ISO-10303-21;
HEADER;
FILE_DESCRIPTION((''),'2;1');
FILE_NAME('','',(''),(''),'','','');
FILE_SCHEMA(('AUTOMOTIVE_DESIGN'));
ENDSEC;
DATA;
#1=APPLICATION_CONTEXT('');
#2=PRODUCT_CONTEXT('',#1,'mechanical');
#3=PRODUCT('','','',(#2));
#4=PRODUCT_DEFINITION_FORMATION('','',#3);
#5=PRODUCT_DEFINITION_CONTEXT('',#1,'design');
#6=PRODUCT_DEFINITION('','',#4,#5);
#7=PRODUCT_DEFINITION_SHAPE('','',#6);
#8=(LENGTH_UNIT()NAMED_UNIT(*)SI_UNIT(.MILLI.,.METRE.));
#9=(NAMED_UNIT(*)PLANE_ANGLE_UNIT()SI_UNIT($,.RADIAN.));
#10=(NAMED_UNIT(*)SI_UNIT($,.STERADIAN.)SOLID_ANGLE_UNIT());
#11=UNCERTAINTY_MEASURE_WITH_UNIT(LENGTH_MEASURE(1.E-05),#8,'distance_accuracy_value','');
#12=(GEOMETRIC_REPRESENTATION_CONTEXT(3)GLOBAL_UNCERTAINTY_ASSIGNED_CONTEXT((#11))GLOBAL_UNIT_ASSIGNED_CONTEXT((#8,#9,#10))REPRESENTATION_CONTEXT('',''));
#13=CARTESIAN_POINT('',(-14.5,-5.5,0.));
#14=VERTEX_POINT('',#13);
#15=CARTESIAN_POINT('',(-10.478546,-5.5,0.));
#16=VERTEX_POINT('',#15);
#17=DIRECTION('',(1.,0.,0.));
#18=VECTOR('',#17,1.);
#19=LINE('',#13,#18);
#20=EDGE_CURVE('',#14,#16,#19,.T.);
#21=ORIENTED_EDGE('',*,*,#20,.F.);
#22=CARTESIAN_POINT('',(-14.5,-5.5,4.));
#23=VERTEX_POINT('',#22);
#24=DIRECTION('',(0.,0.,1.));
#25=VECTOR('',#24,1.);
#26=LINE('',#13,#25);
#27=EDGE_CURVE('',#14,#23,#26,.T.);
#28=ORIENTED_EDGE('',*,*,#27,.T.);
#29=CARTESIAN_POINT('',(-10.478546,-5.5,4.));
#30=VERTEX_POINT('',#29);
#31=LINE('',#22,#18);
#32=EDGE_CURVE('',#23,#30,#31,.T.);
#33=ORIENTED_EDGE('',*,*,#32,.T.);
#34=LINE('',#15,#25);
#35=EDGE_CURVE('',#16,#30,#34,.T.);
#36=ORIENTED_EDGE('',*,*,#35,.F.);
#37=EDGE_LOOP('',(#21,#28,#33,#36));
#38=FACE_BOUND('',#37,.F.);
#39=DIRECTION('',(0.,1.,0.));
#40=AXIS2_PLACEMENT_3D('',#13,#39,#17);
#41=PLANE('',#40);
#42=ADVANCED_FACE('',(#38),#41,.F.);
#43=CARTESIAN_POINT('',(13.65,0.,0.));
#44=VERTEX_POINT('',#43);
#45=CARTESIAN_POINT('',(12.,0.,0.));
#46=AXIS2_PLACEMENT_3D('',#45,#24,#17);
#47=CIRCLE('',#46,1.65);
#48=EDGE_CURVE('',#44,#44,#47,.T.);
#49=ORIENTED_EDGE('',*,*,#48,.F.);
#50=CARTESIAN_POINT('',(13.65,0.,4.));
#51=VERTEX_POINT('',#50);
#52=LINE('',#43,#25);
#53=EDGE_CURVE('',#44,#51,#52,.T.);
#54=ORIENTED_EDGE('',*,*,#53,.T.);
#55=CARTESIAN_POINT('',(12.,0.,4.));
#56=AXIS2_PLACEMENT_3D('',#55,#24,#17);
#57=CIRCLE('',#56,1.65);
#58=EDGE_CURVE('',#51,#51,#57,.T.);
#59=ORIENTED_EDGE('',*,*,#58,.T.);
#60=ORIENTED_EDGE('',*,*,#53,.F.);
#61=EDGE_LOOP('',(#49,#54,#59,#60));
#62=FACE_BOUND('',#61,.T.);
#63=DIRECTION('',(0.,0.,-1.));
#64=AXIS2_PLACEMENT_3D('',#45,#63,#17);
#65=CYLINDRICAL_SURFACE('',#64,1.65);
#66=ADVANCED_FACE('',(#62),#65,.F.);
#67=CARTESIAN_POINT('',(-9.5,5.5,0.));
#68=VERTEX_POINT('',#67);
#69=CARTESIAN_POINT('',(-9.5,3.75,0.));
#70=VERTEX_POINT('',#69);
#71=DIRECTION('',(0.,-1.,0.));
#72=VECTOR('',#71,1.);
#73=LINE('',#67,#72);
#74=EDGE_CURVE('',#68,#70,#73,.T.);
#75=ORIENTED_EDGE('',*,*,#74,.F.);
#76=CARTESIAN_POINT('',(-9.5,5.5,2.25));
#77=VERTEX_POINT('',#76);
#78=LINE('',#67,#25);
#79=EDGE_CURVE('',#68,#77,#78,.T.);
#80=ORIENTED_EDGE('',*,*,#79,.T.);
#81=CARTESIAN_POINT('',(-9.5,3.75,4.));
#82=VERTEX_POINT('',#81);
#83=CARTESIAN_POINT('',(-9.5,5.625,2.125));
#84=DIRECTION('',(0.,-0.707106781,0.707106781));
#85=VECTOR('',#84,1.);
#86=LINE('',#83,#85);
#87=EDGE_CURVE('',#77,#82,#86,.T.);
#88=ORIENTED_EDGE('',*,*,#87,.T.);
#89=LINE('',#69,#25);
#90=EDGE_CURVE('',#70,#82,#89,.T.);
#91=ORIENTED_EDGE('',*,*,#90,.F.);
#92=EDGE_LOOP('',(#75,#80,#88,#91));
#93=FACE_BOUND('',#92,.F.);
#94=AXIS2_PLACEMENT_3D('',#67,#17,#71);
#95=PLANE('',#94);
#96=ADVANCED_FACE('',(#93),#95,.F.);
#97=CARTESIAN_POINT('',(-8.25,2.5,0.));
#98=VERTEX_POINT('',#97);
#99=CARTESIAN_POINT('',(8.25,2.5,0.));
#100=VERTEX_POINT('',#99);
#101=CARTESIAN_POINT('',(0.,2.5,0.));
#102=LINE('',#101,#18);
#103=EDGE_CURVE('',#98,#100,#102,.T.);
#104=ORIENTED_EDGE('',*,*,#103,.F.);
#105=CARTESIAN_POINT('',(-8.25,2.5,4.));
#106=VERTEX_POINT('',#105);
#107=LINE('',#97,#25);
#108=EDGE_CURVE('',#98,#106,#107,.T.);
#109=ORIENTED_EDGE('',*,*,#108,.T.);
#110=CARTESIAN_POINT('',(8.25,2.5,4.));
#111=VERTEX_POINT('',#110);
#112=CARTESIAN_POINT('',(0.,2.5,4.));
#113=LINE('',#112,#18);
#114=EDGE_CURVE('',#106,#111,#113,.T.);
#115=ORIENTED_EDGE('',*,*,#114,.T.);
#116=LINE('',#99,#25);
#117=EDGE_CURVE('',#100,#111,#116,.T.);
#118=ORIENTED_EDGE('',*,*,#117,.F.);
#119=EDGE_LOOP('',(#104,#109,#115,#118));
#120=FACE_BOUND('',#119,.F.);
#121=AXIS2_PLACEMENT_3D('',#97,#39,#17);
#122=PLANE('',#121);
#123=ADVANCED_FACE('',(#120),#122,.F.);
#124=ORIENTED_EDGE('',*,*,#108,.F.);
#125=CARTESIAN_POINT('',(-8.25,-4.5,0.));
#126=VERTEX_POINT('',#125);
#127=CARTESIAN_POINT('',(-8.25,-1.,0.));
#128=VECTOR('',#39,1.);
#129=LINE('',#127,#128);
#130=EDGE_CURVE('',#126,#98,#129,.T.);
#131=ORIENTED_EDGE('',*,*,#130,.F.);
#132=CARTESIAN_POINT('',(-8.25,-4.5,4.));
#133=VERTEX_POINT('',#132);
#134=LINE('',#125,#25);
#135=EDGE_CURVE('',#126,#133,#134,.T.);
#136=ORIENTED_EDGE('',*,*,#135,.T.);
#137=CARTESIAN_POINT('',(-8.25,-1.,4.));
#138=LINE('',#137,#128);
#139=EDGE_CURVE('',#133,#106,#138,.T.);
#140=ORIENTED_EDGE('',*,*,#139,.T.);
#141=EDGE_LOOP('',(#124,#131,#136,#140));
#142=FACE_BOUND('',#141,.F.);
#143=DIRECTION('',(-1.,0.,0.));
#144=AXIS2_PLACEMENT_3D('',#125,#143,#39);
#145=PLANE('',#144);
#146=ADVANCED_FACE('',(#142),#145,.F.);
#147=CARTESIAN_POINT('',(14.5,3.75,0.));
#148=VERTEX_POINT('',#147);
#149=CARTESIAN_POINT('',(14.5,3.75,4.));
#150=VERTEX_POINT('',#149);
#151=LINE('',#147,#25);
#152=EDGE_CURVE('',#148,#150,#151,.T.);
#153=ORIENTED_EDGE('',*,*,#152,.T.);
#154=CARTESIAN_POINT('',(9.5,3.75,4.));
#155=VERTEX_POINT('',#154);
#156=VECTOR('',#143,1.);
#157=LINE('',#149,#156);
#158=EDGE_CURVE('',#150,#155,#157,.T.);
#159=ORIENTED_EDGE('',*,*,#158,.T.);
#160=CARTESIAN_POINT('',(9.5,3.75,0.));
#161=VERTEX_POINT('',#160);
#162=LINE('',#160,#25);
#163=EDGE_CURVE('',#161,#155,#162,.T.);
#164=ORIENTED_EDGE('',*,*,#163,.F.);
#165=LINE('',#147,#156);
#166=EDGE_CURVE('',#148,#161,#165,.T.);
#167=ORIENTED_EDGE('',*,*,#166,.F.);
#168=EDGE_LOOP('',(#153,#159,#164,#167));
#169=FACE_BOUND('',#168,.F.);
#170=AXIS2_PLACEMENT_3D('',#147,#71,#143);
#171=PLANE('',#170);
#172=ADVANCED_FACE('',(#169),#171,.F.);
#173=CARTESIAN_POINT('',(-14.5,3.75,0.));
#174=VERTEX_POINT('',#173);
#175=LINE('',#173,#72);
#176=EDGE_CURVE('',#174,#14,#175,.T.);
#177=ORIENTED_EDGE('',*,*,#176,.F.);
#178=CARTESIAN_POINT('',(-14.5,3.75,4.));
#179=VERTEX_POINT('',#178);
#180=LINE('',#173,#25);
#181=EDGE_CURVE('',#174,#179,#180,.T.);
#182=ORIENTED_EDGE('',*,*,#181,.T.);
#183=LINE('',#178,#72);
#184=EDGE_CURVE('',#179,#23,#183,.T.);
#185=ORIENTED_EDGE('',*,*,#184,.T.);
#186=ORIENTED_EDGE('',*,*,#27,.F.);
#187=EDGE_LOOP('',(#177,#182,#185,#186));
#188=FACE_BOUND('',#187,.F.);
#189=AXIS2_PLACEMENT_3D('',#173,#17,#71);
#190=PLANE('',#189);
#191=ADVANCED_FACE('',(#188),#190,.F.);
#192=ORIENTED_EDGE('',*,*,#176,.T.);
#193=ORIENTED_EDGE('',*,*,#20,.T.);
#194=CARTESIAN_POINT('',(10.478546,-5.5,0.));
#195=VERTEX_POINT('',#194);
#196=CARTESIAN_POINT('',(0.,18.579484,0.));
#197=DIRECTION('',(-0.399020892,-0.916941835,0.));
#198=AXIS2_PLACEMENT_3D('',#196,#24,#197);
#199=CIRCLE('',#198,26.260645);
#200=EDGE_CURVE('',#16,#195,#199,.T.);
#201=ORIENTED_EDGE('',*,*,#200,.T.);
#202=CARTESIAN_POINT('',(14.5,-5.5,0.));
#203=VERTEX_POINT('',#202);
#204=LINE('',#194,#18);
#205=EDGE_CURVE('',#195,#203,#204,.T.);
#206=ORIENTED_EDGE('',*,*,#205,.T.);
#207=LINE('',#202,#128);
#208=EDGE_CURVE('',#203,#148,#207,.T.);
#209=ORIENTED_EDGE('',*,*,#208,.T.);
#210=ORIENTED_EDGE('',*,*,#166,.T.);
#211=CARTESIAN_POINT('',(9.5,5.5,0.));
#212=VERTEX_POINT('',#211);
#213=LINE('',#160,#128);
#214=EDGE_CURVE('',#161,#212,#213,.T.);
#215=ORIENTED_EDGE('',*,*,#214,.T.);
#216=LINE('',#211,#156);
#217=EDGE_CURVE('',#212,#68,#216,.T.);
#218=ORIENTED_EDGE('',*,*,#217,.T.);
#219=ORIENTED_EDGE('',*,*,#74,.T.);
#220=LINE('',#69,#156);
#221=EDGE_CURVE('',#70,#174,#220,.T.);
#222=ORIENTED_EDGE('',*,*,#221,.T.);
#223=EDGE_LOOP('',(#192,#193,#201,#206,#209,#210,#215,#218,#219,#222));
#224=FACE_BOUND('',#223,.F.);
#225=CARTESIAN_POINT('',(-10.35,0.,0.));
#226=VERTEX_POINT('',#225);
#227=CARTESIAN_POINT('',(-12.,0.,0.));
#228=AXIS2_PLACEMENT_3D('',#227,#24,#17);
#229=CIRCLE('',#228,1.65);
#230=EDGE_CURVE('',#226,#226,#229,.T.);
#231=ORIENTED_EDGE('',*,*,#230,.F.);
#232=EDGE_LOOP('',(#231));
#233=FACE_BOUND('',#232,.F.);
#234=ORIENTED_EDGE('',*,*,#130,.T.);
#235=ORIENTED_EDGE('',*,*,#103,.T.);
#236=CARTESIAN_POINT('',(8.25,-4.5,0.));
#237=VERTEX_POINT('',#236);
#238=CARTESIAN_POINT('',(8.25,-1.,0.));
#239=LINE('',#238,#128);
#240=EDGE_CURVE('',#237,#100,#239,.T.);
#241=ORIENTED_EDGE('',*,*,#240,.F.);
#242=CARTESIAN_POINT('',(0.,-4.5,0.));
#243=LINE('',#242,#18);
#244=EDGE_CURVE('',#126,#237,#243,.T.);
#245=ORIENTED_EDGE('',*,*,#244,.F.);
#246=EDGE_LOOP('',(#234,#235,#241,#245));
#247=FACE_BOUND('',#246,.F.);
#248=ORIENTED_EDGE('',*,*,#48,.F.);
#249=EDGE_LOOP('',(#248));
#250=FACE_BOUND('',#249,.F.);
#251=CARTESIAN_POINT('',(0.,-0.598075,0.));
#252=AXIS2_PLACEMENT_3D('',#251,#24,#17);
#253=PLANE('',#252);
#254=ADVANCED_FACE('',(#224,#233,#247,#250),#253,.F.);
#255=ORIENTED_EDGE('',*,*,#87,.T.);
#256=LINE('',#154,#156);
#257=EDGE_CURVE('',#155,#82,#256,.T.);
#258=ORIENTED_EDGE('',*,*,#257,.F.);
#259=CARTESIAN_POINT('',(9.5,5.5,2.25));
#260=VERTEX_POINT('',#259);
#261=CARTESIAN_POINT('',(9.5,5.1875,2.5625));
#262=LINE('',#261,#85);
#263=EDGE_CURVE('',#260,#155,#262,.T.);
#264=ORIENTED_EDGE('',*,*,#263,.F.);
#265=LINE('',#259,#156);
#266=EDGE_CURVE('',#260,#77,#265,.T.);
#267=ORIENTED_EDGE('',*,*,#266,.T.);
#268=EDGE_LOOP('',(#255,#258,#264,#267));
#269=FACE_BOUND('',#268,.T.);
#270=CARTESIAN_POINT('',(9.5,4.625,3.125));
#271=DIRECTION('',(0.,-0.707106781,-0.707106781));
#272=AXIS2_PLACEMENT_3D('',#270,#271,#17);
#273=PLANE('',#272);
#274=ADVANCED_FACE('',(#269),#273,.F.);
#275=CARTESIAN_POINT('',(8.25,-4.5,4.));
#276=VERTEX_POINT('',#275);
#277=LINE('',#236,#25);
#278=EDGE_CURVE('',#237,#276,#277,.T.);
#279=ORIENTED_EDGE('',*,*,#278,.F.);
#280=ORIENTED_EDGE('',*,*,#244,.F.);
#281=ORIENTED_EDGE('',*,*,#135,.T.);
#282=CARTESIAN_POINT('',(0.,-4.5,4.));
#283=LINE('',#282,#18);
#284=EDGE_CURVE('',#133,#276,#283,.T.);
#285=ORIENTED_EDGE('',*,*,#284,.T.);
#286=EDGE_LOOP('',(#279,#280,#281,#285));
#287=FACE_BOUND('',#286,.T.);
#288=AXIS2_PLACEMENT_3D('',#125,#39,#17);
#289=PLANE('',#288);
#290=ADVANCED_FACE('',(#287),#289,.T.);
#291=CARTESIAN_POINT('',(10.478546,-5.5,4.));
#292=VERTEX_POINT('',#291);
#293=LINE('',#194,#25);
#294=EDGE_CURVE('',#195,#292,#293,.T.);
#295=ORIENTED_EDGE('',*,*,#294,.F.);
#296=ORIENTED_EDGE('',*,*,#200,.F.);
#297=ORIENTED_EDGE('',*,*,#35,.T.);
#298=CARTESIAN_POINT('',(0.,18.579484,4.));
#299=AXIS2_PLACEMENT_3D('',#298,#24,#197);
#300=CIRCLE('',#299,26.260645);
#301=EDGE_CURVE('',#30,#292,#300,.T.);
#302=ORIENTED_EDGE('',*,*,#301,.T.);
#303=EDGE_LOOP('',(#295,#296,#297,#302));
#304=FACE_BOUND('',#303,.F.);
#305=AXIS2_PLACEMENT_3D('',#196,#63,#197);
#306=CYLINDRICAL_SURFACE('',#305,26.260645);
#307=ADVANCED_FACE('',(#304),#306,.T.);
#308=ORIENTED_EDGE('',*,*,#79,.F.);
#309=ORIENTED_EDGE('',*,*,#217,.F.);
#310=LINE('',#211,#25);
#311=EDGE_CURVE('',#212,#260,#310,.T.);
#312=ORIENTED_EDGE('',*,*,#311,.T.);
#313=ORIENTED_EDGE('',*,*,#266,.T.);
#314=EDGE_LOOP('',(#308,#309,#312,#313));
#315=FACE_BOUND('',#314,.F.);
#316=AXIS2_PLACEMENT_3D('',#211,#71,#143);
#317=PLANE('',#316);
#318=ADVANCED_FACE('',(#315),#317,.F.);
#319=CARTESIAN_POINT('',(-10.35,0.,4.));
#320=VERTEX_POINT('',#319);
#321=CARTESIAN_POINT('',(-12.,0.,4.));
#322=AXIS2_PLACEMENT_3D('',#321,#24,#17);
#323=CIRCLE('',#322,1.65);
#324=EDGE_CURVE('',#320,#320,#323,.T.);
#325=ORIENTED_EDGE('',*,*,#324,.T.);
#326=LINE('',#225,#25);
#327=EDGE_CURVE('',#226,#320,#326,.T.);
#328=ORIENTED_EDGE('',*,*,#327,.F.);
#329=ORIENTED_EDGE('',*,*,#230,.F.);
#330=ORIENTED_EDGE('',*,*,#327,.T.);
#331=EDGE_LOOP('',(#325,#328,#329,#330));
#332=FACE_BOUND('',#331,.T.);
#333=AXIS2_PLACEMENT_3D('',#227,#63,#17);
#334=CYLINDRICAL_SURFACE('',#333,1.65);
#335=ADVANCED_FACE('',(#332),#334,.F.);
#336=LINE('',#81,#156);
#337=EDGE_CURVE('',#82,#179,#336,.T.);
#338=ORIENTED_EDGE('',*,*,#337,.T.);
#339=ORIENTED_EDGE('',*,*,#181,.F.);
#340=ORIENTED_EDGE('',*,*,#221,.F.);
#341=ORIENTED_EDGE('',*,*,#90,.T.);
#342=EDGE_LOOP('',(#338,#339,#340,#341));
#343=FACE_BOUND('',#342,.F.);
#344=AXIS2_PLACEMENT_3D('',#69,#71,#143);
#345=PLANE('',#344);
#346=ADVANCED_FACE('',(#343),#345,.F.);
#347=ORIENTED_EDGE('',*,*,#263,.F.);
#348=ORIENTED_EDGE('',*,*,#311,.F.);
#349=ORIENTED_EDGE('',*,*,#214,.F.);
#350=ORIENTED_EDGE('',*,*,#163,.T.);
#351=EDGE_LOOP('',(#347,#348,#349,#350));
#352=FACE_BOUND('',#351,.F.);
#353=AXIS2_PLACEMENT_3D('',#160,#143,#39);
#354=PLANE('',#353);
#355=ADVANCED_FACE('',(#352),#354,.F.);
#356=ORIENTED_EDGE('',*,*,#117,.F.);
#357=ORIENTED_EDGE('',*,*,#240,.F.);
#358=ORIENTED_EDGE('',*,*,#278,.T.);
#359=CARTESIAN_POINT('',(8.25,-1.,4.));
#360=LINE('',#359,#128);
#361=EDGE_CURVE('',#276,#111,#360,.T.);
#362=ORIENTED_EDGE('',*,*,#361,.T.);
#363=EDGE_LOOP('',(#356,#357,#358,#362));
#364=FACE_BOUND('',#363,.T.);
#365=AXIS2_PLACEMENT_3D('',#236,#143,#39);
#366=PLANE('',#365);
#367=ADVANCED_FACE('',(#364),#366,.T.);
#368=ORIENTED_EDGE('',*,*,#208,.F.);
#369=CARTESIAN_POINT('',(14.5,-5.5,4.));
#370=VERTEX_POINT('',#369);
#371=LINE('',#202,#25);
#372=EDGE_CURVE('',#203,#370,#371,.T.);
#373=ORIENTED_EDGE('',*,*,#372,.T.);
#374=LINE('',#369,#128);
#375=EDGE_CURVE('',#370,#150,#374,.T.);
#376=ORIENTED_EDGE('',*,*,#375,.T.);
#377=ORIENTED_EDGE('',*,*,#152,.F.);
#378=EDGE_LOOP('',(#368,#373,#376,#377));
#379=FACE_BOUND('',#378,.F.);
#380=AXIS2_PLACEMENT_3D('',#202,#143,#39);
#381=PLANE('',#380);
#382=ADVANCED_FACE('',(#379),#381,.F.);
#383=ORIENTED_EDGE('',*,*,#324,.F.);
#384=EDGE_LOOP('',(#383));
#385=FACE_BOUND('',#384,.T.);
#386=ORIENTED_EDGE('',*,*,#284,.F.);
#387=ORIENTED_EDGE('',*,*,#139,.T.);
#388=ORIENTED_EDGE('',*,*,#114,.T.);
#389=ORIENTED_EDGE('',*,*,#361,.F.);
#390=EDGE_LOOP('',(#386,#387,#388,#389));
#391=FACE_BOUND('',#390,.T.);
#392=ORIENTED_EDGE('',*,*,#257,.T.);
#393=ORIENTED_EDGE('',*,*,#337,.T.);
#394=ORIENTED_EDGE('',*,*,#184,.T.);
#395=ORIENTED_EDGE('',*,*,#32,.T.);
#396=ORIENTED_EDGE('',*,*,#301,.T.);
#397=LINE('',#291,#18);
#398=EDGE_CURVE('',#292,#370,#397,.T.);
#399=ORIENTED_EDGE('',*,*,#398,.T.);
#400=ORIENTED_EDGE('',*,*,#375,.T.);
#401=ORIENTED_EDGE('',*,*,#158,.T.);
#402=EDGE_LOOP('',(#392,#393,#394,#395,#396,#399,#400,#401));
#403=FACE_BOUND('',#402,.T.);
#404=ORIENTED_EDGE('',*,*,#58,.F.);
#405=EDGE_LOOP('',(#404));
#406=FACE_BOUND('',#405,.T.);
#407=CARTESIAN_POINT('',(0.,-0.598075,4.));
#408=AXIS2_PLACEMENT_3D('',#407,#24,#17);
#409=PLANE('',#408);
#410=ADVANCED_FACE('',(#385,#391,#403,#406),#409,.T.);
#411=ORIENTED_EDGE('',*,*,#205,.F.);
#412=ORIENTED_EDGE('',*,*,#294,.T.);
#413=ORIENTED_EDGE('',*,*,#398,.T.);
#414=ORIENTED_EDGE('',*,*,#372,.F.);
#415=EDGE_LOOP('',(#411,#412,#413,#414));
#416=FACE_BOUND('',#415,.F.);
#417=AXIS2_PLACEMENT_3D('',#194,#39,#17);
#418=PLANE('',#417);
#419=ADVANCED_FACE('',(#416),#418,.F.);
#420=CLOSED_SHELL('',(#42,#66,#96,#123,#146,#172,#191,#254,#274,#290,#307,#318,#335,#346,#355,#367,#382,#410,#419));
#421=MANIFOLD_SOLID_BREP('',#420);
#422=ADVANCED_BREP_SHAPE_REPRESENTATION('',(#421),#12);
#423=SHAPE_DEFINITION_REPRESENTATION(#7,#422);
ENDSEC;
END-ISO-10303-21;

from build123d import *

# Parameters (mm, degrees)
F0_R     = 1.65
F0_W     = 16.5
F0_H     = 7
F1_DEPTH = 4
F2_SIZE  = 1.75


with BuildPart() as f1:
    # F0 (on Top) → F1 (new body)
    with BuildSketch(Plane.XY):
        with BuildLine():
            Line((10.478546, -5.5), (14.5, -5.5))
            Line((14.5, -5.5), (14.5, 3.75))
            Line((14.5, 3.75), (9.5, 3.75))
            Line((9.5, 3.75), (9.5, 5.5))
            Line((9.5, 5.5), (-9.5, 5.5))
            Line((-9.5, 5.5), (-9.5, 3.75))
            Line((-9.5, 3.75), (-14.5, 3.75))
            Line((-14.5, 3.75), (-14.5, -5.5))
            Line((-14.5, -5.5), (-10.478546, -5.5))
            ThreePointArc((-10.478546, -5.5), (0, -7.681161), (10.478546, -5.5))
        make_face()
        with Locations((-12, 0)):
            Circle(F0_R, mode=Mode.SUBTRACT)
        with Locations((0, -1)):
            Rectangle(F0_W, F0_H, mode=Mode.SUBTRACT)
        with Locations((12, 0)):
            Circle(F0_R, mode=Mode.SUBTRACT)
    extrude(amount=F1_DEPTH)

    # F2
    f2_edges = [f1.edges().sort_by_distance(p)[0] for p in [
        (0, 5.5, 4),
    ]]
    chamfer(f2_edges, length=F2_SIZE)


solid = f1.part
